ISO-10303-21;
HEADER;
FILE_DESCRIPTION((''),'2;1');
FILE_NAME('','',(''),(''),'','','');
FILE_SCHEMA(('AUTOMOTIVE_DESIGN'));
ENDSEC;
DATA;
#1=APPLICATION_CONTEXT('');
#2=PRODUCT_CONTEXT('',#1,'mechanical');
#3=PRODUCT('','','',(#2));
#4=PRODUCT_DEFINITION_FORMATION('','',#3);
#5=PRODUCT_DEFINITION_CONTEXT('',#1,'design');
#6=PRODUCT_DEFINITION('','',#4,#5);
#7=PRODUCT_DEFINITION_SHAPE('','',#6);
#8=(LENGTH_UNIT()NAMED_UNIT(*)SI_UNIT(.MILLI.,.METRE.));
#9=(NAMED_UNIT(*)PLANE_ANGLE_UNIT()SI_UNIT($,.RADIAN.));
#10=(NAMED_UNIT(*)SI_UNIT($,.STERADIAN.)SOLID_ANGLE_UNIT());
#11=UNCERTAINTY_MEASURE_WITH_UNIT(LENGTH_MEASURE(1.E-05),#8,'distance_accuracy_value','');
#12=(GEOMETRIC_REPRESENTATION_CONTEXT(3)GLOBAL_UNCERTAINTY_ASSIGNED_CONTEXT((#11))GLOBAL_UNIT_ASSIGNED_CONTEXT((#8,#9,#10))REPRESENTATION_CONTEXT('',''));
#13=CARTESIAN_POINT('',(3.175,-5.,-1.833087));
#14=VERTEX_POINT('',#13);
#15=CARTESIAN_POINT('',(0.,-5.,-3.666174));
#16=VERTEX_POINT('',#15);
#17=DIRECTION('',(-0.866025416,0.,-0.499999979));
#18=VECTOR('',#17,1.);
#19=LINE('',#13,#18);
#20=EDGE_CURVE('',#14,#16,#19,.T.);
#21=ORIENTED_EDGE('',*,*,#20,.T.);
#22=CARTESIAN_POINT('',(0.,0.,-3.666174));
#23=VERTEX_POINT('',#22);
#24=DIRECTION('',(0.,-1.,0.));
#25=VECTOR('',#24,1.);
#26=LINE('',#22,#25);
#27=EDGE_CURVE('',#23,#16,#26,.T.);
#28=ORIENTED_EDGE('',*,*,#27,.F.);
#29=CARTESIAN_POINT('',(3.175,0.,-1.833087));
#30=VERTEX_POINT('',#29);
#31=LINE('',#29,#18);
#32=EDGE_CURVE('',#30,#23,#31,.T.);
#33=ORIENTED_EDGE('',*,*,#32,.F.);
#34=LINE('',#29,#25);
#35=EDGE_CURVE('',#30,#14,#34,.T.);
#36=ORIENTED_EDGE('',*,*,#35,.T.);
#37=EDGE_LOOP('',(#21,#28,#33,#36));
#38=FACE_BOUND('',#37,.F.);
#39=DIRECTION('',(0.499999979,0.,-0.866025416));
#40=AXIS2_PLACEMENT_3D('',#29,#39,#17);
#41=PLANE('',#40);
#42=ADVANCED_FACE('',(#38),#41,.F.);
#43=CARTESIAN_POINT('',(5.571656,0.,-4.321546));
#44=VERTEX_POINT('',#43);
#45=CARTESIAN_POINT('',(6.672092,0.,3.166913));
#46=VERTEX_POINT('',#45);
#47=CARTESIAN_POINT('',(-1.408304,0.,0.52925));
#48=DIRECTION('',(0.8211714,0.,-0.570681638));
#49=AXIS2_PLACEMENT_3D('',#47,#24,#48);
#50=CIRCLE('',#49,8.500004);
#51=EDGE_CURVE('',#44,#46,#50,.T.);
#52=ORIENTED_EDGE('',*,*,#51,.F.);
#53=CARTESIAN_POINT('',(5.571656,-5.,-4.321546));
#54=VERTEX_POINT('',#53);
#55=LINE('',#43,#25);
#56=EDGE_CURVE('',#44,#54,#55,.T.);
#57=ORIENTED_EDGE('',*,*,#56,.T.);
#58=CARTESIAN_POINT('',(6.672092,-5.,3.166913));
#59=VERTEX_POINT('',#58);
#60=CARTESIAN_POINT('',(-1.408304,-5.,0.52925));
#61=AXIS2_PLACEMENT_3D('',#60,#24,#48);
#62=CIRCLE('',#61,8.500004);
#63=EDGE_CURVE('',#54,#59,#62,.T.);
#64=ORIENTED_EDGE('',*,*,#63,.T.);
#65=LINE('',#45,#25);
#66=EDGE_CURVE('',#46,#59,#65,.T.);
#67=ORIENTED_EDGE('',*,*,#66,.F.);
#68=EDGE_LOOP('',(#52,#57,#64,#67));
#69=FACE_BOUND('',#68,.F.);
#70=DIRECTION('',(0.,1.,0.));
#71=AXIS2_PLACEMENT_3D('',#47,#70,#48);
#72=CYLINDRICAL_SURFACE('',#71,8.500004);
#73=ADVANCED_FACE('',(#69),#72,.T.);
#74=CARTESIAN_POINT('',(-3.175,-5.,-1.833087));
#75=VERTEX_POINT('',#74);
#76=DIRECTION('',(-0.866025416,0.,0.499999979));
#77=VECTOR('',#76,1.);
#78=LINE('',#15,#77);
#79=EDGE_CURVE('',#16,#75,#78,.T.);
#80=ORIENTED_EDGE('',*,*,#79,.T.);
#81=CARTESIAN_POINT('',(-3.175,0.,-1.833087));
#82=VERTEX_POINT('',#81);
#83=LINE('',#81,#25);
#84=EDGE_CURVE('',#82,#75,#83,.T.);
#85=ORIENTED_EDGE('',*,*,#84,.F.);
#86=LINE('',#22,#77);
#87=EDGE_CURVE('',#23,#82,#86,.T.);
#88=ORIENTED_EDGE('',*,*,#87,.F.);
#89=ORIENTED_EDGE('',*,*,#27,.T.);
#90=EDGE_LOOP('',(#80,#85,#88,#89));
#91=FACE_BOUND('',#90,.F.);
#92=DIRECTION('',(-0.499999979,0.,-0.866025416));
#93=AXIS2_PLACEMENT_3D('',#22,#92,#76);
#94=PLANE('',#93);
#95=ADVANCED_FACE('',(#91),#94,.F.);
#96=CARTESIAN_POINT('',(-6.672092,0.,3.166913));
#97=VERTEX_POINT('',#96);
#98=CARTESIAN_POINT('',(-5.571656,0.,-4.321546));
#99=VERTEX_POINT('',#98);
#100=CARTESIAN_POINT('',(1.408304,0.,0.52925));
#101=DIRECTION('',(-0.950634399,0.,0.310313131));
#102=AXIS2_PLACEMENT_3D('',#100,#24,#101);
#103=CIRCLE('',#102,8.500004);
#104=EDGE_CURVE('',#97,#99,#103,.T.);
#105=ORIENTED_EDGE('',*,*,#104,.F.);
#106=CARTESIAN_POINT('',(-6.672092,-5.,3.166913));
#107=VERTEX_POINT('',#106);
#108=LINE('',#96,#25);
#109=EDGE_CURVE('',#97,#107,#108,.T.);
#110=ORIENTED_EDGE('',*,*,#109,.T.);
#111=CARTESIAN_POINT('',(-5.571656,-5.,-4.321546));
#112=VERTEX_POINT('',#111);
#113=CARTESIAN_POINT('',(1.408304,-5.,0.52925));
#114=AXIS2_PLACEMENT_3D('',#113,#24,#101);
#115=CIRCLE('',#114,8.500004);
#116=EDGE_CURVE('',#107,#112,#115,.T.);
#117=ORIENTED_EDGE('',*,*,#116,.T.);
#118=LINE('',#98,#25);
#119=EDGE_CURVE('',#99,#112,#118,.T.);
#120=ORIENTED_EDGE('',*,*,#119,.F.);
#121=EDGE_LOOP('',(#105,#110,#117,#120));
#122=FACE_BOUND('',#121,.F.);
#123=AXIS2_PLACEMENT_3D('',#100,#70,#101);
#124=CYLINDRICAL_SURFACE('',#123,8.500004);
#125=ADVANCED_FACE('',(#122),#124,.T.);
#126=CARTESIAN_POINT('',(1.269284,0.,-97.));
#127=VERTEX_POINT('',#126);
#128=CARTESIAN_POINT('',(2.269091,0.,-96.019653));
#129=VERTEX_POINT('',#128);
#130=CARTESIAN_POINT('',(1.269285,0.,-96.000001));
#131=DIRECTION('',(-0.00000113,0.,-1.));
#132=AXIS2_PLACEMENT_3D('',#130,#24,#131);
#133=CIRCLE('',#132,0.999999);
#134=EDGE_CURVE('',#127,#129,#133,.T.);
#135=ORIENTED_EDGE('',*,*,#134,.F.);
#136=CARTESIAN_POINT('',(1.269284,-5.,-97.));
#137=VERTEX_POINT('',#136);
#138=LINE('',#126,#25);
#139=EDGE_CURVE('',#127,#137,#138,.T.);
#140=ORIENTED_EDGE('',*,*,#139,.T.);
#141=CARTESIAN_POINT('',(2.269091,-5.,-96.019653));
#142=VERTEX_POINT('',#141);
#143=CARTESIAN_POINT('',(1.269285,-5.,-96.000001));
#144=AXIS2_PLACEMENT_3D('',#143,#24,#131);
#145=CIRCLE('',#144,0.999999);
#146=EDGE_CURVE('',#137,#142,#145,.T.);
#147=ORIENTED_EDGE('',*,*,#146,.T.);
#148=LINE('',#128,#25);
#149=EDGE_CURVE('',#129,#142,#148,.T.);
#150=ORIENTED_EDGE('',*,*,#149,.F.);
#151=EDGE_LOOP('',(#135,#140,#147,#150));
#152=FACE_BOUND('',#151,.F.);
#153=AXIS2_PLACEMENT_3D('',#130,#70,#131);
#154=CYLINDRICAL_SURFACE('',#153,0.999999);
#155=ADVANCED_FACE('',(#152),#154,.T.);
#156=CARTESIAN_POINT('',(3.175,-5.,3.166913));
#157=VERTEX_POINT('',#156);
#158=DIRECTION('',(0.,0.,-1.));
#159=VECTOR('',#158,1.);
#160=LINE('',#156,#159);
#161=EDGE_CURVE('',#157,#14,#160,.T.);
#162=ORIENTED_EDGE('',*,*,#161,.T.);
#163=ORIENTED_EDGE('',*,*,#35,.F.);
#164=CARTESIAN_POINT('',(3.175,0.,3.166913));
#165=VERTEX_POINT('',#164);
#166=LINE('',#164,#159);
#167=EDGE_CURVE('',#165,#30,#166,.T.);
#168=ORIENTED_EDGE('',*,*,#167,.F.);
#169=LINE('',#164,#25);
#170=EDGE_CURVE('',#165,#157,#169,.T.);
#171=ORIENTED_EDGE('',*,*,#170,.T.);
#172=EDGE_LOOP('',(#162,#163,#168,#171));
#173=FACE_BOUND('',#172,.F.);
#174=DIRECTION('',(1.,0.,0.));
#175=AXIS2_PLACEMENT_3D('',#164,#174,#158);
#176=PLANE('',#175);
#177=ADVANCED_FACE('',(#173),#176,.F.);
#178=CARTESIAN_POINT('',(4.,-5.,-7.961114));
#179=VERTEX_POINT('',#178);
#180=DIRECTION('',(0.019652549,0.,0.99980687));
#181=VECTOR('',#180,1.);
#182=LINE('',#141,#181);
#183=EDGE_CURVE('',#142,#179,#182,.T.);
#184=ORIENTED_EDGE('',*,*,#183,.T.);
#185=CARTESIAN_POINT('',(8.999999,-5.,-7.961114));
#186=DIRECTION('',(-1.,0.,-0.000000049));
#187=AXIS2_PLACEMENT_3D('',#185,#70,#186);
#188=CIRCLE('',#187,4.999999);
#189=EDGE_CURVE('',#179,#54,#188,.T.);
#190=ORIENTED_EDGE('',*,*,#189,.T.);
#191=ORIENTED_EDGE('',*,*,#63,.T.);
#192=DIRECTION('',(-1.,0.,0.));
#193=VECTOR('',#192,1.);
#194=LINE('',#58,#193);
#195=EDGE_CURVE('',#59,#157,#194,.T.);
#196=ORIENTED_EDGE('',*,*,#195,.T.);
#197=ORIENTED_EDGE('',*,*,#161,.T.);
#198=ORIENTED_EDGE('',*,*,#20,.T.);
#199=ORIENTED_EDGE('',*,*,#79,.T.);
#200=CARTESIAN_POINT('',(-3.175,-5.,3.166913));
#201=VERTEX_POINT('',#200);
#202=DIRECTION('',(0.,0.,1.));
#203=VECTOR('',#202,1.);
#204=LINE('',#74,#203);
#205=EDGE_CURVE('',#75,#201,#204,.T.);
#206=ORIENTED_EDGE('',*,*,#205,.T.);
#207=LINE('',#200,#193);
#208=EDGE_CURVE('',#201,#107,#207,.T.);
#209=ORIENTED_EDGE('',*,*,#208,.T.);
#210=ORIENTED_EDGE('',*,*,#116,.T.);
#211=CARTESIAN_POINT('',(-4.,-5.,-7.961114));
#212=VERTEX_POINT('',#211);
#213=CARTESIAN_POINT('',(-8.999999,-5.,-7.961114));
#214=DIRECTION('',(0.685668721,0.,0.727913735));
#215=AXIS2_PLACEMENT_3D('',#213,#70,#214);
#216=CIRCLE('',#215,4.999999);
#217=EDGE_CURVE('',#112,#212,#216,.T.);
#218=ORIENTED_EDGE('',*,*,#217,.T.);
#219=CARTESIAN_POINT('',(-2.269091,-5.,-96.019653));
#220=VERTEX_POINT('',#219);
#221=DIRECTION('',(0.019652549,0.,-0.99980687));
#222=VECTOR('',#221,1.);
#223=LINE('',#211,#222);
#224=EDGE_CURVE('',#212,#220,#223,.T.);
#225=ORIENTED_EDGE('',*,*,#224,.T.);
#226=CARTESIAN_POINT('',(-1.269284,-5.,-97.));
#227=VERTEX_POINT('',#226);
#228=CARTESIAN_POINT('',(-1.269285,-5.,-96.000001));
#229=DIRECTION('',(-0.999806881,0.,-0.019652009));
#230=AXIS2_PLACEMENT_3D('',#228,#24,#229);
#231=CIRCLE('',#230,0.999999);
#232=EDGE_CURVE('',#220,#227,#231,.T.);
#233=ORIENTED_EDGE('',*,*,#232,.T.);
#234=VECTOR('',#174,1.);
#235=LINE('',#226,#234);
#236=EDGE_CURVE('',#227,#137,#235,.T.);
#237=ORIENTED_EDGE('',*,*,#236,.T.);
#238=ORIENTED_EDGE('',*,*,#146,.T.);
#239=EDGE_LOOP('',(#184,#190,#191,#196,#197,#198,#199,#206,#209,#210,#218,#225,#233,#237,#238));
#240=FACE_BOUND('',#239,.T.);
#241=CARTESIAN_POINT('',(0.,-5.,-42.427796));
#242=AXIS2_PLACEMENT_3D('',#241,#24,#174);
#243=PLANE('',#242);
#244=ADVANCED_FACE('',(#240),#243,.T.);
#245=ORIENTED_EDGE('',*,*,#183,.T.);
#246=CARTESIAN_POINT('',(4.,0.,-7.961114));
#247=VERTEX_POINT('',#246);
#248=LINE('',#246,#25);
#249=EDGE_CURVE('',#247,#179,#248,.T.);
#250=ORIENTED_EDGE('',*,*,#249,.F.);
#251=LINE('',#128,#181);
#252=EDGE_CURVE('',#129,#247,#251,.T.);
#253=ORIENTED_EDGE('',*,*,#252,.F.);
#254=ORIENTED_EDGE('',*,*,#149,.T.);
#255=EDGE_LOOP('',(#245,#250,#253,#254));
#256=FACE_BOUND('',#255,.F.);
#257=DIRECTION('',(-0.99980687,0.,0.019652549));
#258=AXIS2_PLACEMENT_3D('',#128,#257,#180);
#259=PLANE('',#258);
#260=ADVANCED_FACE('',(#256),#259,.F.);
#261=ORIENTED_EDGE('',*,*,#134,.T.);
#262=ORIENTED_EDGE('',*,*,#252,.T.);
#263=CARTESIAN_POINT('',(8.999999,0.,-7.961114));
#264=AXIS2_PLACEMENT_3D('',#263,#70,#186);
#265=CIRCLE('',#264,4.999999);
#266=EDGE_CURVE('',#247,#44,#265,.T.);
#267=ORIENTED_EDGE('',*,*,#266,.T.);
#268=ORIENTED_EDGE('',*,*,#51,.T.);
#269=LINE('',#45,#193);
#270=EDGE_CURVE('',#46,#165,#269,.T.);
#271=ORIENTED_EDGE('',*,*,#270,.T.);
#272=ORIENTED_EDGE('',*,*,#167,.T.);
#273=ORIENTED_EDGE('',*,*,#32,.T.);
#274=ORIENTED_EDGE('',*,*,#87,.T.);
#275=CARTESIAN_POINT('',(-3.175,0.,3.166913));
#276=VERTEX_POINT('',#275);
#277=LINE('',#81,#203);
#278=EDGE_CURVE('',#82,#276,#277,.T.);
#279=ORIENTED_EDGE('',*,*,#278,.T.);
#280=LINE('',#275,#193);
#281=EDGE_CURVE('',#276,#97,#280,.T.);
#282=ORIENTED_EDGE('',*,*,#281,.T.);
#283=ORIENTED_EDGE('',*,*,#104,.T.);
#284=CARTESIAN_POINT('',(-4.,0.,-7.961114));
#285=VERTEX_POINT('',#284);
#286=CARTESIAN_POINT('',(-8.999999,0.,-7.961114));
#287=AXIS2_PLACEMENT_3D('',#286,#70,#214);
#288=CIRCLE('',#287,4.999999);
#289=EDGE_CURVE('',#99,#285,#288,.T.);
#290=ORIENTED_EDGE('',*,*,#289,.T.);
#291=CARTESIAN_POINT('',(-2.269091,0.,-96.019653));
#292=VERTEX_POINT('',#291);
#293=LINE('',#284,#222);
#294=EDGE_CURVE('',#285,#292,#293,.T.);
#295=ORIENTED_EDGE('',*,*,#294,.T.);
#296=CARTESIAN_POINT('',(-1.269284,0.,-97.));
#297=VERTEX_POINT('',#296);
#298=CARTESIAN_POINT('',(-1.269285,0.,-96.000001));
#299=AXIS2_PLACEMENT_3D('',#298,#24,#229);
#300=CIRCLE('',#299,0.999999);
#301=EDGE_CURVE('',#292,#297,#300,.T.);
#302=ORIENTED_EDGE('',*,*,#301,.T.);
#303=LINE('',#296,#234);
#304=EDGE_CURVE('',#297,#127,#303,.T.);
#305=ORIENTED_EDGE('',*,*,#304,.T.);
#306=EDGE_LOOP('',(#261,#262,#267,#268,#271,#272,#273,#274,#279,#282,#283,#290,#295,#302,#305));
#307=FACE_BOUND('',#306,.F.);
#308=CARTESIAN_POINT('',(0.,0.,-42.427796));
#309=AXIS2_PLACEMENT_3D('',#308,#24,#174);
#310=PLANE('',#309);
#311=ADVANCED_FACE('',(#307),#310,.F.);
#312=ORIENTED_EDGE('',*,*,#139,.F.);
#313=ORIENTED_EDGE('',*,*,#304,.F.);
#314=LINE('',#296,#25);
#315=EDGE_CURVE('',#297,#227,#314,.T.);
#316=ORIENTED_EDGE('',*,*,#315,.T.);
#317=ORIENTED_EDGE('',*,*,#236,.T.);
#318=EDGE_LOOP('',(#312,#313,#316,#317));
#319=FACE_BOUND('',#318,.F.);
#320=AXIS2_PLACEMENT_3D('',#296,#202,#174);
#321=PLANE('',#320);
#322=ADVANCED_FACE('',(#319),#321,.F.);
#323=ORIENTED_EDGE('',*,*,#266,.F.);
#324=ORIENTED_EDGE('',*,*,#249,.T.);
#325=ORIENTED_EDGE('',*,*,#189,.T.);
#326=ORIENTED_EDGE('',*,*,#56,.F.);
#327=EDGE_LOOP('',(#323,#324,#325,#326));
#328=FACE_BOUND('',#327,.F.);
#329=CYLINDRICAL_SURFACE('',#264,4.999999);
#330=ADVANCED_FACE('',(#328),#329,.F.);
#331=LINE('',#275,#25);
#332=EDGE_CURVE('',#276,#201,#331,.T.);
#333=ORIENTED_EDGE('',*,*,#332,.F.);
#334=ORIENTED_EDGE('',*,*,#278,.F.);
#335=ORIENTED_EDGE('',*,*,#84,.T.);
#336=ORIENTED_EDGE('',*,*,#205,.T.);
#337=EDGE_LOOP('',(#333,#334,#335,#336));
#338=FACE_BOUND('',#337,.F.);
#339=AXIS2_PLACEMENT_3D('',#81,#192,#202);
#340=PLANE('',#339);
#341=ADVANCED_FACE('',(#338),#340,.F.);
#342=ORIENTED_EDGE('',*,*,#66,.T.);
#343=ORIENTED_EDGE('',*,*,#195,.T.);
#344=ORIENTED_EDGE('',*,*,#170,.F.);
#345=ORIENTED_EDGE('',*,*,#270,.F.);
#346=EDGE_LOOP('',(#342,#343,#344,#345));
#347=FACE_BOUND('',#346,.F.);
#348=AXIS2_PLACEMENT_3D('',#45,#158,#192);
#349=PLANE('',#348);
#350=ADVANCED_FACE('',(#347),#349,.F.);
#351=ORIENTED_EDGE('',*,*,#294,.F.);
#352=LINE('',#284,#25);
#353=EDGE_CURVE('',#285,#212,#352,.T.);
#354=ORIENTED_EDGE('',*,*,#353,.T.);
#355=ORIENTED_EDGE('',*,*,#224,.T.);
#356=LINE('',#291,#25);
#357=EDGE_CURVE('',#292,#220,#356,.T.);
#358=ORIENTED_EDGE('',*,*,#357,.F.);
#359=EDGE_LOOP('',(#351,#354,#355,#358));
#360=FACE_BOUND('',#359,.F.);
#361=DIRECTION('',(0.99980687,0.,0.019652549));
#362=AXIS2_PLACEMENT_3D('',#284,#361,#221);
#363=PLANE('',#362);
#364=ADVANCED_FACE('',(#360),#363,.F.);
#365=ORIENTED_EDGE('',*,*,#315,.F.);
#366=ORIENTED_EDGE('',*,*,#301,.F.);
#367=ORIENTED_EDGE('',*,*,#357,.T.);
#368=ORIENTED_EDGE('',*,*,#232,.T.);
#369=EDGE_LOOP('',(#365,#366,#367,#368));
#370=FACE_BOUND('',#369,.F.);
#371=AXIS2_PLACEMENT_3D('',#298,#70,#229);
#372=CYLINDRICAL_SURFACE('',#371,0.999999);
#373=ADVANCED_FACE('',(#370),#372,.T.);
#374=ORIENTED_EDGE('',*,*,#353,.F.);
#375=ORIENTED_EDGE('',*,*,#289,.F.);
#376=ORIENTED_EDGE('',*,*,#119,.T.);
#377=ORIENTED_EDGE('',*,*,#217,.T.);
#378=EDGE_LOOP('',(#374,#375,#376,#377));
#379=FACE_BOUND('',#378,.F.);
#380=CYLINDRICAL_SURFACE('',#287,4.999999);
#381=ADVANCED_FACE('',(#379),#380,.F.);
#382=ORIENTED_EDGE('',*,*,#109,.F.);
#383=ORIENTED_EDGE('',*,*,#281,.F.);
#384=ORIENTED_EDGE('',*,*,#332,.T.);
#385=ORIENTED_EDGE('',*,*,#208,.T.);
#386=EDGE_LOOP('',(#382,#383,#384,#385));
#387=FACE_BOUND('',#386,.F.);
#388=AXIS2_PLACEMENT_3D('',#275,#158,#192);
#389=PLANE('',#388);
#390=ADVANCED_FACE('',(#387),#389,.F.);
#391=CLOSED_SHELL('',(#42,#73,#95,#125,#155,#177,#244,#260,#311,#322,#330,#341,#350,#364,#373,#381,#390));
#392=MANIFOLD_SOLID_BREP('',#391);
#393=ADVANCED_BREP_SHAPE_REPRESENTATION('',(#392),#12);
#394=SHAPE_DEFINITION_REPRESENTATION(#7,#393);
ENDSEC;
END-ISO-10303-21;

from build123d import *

# Parameters (mm, degrees)
F1_DEPTH = 5


with BuildPart() as f1:
    # F0 (on Front) → F1 (new body)
    with BuildSketch(Plane.XZ):
        with BuildLine():
            Line((3.175, 3.166913), (3.175, -1.833087))
            Line((3.175, -1.833087), (0, -3.666174))
            Line((0, -3.666174), (-3.175, -1.833087))
            Line((-3.175, -1.833087), (-3.175, 3.166913))
            Line((-3.175, 3.166913), (-6.672092, 3.166913))
            ThreePointArc((-6.672092, 3.166913), (-7.001383, -0.706561), (-5.571656, -4.321546))
            ThreePointArc((-5.571656, -4.321546), (-4.409699, -5.978909), (-4, -7.961114))
            Line((-4, -7.961114), (-2.269091, -96.019653))
            ThreePointArc((-2.269091, -96.019653), (-1.969409, -96.714021), (-1.269284, -97))
            Line((-1.269284, -97), (1.269284, -97))
            ThreePointArc((1.269284, -97), (1.969409, -96.714021), (2.269091, -96.019653))
            Line((2.269091, -96.019653), (4, -7.961114))
            ThreePointArc((4, -7.961114), (4.409699, -5.978909), (5.571656, -4.321546))
            ThreePointArc((5.571656, -4.321546), (7.001383, -0.706561), (6.672092, 3.166913))
            Line((6.672092, 3.166913), (3.175, 3.166913))
        make_face()
    extrude(amount=F1_DEPTH)


solid = f1.part
